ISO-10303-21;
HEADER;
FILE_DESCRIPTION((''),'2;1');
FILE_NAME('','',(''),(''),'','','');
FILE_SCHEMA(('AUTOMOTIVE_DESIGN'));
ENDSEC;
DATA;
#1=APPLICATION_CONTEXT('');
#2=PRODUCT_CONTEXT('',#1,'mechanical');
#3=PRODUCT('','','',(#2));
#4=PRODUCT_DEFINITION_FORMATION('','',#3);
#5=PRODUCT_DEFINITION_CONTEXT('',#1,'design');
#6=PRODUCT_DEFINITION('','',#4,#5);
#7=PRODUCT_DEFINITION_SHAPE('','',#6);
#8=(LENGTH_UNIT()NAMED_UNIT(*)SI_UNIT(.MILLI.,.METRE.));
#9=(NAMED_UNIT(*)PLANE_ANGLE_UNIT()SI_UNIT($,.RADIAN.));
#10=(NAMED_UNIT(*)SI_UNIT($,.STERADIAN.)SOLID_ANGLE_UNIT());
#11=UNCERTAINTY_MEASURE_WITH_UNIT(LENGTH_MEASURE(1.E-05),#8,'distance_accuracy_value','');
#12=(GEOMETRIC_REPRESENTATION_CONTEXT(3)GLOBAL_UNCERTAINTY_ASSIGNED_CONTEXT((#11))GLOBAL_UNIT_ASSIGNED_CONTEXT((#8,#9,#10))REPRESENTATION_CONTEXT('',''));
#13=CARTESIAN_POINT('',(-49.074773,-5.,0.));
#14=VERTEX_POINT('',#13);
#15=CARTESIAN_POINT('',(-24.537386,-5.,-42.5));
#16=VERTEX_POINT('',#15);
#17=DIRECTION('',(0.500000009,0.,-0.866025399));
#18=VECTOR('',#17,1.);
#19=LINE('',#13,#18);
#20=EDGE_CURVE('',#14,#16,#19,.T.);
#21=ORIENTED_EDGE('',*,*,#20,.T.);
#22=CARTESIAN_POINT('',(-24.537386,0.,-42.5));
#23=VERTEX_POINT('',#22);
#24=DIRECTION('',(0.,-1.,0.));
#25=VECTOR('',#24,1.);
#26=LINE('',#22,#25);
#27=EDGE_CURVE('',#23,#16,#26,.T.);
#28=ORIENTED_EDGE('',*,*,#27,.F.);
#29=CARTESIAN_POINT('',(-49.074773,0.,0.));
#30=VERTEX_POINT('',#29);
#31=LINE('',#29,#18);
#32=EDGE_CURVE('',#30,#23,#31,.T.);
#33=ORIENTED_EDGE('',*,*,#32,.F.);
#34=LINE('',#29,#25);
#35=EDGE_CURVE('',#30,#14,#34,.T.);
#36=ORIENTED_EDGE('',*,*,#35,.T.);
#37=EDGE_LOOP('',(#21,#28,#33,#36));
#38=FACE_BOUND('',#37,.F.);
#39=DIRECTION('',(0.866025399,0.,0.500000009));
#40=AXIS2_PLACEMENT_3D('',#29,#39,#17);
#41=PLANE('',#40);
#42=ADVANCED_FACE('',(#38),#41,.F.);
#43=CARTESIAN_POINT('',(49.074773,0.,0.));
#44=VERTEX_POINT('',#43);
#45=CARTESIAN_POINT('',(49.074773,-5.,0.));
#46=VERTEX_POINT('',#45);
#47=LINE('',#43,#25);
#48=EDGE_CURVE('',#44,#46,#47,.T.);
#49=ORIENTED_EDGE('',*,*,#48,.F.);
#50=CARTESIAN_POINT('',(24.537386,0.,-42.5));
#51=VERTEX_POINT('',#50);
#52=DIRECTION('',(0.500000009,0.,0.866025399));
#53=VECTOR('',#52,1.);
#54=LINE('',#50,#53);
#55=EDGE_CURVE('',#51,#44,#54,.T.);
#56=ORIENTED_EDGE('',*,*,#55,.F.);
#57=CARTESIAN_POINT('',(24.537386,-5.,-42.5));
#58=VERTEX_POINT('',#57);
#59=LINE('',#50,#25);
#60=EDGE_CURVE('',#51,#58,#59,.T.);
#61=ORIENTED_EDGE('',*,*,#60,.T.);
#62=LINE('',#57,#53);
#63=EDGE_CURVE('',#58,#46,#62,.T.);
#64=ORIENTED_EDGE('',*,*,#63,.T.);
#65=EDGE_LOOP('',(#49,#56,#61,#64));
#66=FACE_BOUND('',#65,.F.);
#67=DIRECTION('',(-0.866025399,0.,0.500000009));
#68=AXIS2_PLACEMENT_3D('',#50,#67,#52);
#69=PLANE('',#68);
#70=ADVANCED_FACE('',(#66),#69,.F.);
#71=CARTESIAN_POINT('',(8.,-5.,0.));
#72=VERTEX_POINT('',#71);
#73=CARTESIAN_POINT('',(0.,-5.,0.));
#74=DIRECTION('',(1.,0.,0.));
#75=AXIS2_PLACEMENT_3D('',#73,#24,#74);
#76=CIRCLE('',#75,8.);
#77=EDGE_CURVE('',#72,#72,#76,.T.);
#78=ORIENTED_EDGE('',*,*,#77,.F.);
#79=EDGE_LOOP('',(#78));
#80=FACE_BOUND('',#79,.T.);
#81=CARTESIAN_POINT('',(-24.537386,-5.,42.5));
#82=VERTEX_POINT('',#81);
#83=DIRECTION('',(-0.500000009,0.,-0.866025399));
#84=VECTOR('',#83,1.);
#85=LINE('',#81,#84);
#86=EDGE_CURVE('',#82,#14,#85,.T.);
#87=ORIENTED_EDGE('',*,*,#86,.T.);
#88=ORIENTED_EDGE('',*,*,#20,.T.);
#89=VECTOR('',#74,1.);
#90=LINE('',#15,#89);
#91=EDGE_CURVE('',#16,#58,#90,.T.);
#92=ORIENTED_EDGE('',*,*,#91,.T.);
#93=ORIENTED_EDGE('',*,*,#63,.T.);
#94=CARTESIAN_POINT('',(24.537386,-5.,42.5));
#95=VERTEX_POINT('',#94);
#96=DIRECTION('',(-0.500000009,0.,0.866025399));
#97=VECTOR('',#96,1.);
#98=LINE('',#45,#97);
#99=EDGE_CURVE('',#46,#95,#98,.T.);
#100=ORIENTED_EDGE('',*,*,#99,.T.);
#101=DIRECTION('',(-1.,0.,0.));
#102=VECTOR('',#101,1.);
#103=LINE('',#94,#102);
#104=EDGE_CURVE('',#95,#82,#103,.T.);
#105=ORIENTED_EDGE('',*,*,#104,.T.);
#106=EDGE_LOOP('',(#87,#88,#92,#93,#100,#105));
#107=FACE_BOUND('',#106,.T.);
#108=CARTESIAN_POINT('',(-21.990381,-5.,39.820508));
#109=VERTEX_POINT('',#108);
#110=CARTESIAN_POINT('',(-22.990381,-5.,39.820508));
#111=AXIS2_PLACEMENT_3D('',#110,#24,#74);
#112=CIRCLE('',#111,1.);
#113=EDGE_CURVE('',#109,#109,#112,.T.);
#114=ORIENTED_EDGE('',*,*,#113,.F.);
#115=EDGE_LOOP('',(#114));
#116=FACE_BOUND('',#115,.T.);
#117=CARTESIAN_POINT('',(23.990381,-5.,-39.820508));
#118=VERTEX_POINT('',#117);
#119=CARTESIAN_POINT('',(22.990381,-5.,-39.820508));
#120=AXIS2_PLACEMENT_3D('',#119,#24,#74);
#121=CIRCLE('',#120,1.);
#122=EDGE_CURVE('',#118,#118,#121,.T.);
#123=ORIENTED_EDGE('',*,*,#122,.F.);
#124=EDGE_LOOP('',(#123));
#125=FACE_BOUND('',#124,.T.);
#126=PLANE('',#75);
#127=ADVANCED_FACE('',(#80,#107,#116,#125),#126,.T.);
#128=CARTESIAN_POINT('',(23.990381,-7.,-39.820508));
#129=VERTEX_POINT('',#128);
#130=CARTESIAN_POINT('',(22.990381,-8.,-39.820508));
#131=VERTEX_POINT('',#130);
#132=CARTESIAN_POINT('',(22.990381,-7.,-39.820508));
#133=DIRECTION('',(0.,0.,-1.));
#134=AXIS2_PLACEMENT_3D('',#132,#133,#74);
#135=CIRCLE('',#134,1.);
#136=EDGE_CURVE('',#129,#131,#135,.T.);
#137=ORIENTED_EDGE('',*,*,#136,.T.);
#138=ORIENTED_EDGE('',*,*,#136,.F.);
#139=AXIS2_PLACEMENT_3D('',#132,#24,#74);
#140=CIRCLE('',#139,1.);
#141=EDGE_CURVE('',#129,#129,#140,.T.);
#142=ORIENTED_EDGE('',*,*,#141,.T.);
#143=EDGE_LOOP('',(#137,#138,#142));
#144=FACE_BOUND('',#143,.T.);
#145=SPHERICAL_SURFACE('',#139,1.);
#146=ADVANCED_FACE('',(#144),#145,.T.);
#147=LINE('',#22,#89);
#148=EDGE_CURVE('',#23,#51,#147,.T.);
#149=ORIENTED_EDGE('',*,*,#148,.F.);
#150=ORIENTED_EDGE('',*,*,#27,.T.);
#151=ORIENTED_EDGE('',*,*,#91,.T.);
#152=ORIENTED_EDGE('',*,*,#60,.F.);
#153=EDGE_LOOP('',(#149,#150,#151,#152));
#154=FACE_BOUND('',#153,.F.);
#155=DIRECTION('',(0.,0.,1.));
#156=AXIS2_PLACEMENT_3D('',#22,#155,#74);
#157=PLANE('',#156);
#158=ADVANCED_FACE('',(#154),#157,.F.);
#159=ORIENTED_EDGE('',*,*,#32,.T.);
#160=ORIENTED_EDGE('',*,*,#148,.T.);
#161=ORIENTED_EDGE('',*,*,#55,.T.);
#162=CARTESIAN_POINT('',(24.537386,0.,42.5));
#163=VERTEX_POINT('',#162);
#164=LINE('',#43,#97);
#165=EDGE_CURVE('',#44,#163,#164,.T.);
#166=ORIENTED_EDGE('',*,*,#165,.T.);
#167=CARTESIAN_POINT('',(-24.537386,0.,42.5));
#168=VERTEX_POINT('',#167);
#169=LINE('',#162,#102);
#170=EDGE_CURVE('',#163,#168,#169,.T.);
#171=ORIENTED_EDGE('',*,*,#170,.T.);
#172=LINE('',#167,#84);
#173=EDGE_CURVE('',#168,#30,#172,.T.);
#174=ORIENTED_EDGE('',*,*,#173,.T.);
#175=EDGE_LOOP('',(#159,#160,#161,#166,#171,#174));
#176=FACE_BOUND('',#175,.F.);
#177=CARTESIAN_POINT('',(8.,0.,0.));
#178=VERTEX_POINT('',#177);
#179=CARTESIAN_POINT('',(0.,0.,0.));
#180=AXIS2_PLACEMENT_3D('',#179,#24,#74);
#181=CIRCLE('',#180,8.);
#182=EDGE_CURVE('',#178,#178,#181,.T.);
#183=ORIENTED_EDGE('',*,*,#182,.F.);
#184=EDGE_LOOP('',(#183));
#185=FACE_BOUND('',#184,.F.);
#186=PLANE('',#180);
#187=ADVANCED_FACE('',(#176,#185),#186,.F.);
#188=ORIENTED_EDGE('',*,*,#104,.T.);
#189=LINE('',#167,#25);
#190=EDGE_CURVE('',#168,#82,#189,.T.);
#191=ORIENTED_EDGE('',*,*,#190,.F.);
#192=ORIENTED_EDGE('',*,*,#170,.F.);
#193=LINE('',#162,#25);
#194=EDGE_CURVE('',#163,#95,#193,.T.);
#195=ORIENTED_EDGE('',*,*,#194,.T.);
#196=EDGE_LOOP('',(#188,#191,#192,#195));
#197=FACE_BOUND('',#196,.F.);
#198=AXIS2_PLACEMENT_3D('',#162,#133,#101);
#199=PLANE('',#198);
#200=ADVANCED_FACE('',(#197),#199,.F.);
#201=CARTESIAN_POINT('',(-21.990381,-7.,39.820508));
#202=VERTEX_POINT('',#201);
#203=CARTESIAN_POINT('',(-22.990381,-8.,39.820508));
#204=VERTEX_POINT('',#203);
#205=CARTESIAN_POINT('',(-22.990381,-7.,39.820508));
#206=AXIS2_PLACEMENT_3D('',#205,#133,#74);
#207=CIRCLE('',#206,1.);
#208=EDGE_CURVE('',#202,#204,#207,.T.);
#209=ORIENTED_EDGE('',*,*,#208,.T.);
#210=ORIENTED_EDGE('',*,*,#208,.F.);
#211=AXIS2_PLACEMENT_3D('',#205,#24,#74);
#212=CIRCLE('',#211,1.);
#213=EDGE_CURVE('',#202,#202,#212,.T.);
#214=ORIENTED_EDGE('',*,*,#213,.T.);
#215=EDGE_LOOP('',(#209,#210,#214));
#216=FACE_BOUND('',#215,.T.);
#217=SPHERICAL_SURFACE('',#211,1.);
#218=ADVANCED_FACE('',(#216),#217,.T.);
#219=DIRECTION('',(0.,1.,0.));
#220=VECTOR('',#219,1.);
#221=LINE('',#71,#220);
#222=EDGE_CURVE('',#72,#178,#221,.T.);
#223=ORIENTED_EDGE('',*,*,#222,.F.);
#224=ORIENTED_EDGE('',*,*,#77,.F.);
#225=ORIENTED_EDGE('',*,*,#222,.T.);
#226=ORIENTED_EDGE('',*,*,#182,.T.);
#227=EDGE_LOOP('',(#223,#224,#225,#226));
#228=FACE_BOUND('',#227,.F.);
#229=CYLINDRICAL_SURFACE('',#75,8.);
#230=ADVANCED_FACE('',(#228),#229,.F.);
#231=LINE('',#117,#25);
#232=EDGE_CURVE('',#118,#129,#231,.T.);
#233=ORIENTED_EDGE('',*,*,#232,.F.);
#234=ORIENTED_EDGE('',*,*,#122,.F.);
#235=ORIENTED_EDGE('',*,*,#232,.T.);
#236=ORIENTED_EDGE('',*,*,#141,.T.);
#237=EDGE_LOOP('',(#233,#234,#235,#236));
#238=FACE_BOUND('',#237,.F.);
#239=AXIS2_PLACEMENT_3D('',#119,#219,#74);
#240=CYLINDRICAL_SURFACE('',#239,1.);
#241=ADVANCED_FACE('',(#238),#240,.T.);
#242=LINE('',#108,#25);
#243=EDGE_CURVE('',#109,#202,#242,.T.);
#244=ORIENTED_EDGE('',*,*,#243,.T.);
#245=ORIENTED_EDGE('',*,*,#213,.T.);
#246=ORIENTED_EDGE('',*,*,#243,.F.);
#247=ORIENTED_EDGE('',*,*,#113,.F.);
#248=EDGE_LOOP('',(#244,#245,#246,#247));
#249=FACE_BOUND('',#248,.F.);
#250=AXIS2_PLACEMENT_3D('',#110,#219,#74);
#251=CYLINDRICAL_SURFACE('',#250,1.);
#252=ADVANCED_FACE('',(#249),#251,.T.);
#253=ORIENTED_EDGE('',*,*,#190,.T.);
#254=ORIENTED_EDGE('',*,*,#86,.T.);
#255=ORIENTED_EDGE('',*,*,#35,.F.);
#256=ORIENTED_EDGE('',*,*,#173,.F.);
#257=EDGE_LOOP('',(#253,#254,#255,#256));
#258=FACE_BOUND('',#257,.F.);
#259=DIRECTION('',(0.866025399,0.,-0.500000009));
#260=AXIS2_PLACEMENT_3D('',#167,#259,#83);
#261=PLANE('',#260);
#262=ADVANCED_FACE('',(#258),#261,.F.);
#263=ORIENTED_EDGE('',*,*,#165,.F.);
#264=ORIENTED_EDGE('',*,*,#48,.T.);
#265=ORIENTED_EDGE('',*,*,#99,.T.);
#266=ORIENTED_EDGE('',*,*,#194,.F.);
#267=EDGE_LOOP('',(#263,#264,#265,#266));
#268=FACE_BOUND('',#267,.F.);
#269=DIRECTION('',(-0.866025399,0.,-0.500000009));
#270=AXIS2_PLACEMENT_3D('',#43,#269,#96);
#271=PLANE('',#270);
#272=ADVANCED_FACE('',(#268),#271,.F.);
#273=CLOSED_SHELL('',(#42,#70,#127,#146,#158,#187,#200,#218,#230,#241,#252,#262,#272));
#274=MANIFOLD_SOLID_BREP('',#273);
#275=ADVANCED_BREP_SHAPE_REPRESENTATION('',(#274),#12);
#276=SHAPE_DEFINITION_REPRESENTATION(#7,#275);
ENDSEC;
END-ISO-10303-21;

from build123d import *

# Parameters (mm, degrees)
F1_DEPTH = 5
F2_R     = 8
F3_DEPTH = 5
F6_R     = 1
F7_DEPTH = 3
F8_R     = 1


with BuildPart() as f1:
    # F0 (on Front) → F1 (new body)
    with BuildSketch(Plane.XZ):
        Polygon((24.537386, -42.5), (49.074773, 0), (24.537386, 42.5), (-24.537386, 42.5), (-49.074773, 0), (-24.537386, -42.5), align=None)
    extrude(amount=F1_DEPTH)

    # F2 (on face) → F3 (cut)
    with BuildSketch(Plane.XZ.offset(5)):
        Circle(F2_R)
    extrude(amount=-F3_DEPTH, mode=Mode.SUBTRACT)

    # F6 (on face) → F7 (join)
    with BuildSketch(Plane.XZ.offset(5)):
        with Locations((-22.990381, 39.820508)):
            Circle(F6_R)
        with Locations((22.990381, -39.820508)):
            Circle(F6_R)
    extrude(amount=F7_DEPTH)

    # F8
    f8_edges = [f1.edges().sort_by_distance(p)[0] for p in [
        (-23.990381, -8, 39.820508),
        (21.990381, -8, -39.820508),
    ]]
    fillet(f8_edges, radius=F8_R)


solid = f1.part
